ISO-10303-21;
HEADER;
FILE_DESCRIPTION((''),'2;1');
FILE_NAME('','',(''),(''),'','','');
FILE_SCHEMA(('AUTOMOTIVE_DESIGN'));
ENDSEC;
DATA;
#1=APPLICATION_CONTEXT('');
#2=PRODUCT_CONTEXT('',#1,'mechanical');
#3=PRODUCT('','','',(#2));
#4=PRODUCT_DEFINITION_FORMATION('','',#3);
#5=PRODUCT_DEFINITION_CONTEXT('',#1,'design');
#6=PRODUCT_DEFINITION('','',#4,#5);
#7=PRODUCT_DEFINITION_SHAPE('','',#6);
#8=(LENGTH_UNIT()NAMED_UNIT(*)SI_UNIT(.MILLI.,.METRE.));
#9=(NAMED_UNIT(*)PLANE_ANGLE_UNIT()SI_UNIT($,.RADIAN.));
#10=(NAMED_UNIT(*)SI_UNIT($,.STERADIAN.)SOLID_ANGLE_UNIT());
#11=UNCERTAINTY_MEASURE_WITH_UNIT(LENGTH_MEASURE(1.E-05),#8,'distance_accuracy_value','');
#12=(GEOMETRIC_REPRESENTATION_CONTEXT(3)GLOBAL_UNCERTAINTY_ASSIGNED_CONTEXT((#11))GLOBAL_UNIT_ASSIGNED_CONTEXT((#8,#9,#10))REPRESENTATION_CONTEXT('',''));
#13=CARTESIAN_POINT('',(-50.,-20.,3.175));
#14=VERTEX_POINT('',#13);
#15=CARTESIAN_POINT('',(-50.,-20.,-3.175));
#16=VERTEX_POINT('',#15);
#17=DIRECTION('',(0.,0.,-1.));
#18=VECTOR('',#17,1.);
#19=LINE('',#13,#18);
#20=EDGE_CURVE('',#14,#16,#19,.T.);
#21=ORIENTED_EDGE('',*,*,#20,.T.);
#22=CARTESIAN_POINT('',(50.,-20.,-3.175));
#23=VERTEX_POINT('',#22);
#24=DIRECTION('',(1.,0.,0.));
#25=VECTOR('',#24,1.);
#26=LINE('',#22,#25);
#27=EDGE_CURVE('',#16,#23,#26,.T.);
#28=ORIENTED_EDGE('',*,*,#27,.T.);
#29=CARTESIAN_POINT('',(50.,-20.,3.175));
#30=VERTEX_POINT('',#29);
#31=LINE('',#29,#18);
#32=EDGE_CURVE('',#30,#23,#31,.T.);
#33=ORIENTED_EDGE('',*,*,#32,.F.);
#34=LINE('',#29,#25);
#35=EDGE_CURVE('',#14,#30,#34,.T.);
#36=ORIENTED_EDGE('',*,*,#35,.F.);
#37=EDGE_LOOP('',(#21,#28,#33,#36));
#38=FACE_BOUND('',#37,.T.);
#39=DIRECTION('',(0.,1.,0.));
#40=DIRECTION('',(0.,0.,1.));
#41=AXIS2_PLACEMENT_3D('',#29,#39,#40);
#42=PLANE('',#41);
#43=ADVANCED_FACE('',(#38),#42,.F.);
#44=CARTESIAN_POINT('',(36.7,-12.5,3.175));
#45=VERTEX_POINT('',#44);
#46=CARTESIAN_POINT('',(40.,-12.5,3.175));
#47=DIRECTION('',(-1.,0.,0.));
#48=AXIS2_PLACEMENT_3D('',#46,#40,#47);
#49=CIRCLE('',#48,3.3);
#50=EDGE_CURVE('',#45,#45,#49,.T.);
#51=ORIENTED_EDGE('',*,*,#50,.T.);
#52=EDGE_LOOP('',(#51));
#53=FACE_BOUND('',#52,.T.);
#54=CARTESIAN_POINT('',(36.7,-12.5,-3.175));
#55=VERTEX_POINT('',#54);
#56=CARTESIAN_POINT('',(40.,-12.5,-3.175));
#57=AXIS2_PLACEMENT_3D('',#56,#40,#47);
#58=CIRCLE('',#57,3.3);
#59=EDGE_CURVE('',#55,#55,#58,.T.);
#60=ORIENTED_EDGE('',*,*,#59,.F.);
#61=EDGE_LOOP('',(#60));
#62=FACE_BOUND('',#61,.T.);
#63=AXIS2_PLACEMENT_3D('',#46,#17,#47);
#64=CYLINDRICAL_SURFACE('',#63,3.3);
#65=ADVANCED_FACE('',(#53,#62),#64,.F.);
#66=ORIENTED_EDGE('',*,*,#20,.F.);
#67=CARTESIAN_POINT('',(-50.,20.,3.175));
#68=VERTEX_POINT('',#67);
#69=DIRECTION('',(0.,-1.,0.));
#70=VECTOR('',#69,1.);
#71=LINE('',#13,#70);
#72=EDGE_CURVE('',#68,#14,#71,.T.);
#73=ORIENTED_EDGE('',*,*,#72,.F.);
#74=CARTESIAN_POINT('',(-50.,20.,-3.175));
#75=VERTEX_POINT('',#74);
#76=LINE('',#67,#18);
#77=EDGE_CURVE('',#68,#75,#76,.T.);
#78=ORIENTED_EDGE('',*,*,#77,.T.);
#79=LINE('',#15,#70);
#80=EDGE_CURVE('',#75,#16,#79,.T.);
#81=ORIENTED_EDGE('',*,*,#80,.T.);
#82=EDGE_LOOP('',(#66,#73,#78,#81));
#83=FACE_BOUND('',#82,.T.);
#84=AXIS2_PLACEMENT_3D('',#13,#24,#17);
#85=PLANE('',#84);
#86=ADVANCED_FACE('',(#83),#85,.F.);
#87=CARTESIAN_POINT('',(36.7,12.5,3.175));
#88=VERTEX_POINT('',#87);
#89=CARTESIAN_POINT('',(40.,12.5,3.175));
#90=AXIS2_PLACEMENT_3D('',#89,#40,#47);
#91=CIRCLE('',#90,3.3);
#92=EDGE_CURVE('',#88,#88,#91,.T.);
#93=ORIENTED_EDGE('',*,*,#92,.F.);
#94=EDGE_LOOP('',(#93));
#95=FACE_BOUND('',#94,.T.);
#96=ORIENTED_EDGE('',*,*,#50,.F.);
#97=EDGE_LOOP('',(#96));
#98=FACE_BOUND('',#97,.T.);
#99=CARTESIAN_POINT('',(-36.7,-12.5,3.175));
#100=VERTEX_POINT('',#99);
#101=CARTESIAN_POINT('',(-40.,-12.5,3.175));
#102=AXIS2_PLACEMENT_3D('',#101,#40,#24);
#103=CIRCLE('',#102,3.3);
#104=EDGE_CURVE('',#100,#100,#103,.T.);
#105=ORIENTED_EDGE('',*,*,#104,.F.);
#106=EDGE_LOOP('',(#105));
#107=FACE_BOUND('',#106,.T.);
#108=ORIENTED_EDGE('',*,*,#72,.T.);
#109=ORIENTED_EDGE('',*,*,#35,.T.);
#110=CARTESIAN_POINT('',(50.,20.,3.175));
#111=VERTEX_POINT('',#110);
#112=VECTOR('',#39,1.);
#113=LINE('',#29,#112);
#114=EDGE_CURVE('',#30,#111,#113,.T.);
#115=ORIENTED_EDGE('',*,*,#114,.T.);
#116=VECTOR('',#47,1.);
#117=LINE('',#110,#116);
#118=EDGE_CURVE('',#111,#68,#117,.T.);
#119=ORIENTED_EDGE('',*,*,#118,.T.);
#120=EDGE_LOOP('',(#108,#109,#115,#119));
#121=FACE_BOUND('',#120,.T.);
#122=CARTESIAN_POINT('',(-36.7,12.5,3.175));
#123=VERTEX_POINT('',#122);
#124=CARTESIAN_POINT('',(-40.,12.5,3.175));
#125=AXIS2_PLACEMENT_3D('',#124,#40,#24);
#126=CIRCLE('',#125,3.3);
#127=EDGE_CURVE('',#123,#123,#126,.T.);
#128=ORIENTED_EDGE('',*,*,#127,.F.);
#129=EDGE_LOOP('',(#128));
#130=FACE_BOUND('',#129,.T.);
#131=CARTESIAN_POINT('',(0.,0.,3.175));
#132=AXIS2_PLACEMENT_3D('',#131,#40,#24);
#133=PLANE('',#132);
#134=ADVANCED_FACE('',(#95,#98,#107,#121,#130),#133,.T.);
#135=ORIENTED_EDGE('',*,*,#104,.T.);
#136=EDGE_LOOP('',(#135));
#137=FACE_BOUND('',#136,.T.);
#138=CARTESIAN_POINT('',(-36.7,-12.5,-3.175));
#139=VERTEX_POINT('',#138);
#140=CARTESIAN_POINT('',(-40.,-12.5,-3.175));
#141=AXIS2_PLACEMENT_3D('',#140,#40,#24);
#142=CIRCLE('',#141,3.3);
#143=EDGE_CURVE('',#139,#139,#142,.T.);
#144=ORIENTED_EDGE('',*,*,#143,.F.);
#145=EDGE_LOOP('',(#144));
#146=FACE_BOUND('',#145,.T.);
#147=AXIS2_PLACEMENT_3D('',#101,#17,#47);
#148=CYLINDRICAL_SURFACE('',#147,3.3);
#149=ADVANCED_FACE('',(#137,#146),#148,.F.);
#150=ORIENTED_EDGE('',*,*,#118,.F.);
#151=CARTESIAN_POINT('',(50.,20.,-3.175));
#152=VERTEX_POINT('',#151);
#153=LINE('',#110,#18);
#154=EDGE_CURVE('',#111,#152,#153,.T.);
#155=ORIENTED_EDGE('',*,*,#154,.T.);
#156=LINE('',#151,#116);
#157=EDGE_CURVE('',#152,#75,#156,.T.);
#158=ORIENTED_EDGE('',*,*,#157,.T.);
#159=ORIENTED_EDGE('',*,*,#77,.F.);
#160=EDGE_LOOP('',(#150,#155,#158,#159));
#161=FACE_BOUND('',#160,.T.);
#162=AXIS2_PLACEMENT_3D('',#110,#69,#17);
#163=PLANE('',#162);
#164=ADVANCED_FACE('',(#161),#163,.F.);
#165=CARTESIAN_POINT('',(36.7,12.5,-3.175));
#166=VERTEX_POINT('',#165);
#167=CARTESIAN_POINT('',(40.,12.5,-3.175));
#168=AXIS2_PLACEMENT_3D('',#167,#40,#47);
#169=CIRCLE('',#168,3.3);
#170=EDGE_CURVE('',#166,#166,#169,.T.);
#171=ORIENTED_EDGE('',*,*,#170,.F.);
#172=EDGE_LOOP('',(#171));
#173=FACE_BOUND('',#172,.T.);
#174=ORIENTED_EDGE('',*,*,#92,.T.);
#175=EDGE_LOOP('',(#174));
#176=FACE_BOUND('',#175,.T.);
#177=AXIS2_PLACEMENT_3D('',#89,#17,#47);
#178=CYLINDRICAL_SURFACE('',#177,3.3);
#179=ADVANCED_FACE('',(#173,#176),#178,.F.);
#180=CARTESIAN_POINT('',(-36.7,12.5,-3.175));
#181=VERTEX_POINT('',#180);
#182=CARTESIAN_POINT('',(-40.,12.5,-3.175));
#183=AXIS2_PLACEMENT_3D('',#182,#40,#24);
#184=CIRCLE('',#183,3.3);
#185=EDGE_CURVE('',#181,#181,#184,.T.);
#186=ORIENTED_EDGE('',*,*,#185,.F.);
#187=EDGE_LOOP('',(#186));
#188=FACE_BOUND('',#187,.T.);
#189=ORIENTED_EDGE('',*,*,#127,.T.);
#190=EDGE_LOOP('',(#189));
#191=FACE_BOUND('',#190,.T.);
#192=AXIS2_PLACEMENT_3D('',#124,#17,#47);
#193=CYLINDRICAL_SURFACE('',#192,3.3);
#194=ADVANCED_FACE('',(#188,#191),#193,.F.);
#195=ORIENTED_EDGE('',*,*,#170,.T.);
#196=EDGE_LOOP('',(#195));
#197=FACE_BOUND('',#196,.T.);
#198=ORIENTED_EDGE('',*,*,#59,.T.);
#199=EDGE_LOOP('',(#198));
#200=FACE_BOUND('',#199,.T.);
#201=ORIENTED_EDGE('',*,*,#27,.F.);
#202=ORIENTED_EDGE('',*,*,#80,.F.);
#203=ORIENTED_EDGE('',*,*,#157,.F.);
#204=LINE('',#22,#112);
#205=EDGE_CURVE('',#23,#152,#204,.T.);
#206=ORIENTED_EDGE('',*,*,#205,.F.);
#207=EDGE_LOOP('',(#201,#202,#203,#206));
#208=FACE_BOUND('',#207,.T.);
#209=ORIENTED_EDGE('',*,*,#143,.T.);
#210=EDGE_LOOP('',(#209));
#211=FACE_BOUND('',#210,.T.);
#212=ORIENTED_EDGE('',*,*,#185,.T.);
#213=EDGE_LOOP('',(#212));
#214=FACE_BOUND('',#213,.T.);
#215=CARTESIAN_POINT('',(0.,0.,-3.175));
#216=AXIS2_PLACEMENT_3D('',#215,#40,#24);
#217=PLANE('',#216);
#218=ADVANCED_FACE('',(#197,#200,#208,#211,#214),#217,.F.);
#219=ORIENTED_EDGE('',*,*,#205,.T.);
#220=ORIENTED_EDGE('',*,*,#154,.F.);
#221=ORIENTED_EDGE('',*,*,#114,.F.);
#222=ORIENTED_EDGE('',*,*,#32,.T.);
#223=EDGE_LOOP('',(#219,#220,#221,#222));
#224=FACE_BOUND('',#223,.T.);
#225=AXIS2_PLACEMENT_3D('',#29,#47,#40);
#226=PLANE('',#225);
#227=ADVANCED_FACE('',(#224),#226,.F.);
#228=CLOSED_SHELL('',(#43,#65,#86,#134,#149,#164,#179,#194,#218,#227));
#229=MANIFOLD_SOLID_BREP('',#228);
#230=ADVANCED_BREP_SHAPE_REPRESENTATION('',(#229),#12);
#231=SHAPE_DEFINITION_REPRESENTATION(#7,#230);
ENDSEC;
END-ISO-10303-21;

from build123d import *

# Parameters (mm, degrees)
SKETCH1_W           = 100
SKETCH1_H           = 40
SKETCH1_R           = 3.3
BOSS_EXTRUDE1_DEPTH = 3.175


with BuildPart() as part:
    # Sketch1 → Boss-Extrude1 (new, symmetric)
    with BuildSketch(Plane.XY):
        Rectangle(SKETCH1_W, SKETCH1_H)
        with Locations((-40, 12.5)):
            Circle(SKETCH1_R, mode=Mode.SUBTRACT)
        with Locations((-40, -12.5)):
            Circle(SKETCH1_R, mode=Mode.SUBTRACT)
        with Locations(Location((40, -12.5, 0), (0, 0, 180))):
            Circle(SKETCH1_R, mode=Mode.SUBTRACT)
        with Locations(Location((40, 12.5, 0), (0, 0, 180))):
            Circle(SKETCH1_R, mode=Mode.SUBTRACT)
    extrude(amount=BOSS_EXTRUDE1_DEPTH, both=True)


solid = part.part
